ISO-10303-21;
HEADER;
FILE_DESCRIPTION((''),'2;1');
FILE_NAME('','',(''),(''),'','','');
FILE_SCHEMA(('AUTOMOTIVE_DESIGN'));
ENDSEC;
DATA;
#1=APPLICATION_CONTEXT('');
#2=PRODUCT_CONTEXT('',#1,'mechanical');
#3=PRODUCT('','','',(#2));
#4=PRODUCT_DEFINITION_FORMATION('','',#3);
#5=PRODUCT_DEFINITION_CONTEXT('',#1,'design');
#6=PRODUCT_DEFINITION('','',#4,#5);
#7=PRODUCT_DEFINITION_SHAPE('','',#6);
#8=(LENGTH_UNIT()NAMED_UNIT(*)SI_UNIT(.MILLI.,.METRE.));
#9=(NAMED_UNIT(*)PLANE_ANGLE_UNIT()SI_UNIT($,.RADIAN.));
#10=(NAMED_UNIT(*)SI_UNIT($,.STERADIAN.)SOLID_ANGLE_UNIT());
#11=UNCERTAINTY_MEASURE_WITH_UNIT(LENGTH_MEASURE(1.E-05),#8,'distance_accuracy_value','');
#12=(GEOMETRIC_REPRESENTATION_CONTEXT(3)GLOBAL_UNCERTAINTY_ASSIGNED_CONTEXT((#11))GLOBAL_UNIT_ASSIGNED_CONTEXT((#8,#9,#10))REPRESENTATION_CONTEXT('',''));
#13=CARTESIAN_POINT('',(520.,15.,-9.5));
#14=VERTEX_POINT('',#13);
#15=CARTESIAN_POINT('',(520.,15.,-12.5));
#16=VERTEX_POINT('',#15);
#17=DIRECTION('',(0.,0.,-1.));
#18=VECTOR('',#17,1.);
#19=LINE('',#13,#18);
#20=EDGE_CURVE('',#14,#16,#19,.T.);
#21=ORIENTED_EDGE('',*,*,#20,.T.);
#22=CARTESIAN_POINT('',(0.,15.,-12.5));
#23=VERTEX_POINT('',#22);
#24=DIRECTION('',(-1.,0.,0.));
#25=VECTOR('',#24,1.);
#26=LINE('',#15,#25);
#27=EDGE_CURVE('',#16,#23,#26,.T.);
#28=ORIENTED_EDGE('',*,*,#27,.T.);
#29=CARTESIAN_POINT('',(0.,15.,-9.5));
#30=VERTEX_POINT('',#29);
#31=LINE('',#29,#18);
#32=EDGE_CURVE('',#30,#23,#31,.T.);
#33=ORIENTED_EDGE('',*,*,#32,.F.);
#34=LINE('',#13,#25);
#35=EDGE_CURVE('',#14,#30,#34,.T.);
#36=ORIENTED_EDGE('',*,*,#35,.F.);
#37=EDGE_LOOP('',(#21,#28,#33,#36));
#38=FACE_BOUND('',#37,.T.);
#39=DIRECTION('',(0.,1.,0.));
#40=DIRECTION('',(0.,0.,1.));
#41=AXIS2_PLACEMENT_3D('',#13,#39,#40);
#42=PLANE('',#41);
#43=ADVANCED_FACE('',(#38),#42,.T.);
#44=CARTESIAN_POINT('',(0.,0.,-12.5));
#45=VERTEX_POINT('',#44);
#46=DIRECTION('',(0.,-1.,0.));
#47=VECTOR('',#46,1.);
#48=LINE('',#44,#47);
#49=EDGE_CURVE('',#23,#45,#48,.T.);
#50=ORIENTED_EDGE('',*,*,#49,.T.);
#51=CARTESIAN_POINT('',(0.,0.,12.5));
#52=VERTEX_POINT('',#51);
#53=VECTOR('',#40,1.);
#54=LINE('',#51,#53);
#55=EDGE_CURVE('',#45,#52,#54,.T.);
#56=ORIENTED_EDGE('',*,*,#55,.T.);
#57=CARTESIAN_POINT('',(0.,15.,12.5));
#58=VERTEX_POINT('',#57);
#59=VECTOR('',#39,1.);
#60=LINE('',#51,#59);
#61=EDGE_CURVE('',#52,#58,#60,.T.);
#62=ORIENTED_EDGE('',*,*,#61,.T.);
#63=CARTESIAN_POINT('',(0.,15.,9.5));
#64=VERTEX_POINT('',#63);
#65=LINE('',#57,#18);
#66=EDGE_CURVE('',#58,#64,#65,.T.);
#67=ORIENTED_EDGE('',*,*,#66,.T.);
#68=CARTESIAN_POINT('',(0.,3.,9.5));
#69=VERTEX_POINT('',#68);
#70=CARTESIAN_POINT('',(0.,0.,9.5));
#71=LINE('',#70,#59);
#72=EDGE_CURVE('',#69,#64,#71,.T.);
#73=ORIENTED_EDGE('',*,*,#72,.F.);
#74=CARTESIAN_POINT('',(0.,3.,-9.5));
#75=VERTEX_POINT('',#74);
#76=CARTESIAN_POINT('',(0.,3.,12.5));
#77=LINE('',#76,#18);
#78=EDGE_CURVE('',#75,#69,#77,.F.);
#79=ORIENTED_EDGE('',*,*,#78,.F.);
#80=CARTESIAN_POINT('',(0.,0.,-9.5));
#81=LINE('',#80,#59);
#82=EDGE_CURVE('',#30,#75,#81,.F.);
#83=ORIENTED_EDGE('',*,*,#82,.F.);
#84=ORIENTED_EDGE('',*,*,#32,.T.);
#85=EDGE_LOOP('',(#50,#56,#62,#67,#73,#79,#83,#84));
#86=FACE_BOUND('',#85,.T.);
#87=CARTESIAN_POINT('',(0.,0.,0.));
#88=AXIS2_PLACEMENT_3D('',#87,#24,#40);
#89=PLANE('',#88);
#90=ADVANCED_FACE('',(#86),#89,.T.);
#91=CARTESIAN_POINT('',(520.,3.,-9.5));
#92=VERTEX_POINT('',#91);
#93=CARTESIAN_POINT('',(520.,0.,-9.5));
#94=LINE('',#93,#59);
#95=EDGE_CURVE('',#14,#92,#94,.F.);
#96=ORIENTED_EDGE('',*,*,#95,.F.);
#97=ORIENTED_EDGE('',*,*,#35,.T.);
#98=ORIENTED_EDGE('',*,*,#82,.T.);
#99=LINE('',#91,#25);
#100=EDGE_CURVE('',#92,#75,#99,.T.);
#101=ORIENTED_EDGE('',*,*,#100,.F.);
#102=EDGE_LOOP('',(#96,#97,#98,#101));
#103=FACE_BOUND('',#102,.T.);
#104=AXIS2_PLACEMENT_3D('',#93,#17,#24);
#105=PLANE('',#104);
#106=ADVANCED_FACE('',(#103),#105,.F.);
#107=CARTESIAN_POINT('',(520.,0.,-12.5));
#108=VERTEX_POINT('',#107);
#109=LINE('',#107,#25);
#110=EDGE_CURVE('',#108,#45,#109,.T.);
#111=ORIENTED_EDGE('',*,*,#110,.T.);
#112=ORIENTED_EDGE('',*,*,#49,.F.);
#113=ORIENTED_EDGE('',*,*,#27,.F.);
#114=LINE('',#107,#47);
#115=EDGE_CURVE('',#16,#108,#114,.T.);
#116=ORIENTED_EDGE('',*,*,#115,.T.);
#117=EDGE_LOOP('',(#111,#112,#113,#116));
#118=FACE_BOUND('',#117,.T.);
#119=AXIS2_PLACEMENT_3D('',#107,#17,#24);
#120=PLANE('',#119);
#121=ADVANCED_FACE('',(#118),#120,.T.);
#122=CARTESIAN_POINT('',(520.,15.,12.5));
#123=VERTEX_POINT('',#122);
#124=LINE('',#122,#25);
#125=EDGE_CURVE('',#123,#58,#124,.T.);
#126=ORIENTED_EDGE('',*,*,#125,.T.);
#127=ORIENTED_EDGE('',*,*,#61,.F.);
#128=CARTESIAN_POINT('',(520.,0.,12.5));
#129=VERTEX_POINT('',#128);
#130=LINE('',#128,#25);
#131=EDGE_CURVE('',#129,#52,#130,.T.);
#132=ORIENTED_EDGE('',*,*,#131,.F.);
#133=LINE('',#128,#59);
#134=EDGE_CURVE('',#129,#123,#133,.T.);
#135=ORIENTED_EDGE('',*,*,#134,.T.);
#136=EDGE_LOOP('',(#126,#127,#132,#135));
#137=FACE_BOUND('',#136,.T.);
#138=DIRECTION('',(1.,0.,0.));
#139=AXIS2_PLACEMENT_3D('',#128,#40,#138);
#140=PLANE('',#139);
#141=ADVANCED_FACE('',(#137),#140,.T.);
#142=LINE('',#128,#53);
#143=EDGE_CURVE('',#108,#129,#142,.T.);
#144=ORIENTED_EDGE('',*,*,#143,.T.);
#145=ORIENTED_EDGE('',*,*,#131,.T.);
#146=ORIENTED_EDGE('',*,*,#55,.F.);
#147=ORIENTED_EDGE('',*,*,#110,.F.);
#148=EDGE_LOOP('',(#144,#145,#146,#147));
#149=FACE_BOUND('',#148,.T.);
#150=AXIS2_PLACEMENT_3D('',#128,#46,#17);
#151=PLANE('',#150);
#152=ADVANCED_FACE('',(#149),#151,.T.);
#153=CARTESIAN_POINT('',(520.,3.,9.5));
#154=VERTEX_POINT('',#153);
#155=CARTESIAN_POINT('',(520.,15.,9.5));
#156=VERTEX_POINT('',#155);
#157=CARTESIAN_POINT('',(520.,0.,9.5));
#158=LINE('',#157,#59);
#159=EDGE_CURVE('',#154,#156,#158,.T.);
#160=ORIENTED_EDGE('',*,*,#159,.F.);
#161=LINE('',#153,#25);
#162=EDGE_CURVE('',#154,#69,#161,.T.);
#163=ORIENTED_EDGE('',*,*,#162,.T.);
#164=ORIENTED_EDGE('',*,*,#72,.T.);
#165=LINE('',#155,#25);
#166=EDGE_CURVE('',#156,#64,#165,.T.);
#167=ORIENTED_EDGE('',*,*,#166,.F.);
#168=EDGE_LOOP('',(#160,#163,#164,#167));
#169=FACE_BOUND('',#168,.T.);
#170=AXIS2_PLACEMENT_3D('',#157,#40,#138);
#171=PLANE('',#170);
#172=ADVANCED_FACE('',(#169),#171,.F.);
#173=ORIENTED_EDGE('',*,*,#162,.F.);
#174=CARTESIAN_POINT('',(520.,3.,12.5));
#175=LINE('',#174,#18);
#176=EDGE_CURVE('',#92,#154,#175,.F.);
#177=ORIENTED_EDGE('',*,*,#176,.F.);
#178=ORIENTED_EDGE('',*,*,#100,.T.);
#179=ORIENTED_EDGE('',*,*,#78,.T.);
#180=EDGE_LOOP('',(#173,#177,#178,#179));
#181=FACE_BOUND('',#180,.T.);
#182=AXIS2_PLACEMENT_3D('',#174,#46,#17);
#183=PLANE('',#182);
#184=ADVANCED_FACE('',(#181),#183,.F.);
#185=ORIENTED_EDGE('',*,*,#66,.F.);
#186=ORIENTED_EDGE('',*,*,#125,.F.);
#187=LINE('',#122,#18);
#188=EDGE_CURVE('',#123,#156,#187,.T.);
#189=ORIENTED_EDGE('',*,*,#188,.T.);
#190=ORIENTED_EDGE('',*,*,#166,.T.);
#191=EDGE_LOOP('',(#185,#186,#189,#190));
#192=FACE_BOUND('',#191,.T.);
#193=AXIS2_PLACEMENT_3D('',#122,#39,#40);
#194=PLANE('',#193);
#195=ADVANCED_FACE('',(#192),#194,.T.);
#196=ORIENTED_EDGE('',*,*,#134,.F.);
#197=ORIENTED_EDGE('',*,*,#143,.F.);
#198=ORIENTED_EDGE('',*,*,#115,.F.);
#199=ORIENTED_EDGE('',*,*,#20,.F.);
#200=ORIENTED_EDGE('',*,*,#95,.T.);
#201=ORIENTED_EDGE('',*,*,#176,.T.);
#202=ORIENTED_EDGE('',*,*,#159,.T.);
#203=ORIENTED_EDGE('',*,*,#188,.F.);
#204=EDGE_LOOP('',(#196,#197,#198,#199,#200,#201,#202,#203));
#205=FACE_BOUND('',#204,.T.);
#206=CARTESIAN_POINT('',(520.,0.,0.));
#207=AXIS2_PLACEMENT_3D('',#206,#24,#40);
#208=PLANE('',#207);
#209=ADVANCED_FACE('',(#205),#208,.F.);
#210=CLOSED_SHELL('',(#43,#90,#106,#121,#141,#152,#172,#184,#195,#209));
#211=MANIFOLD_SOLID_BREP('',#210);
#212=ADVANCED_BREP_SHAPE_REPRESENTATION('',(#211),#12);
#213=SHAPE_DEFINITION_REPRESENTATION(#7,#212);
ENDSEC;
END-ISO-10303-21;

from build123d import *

# Parameters (mm, degrees)
EXTRUDE_1_DEPTH = 520


with BuildPart() as part:
    # Эскиз1 → Вытянуть-Тонкостенный1 (new body)
    with BuildSketch(Plane(origin=(0, 0, 0), x_dir=(0, 0, -1), z_dir=(1, 0, 0))):
        Polygon((-12.5, 15), (-12.5, 0), (12.5, 0), (12.5, 15), (9.5, 15), (9.5, 3), (-9.5, 3), (-9.5, 15), align=None)
    extrude(amount=EXTRUDE_1_DEPTH)


solid = part.part
